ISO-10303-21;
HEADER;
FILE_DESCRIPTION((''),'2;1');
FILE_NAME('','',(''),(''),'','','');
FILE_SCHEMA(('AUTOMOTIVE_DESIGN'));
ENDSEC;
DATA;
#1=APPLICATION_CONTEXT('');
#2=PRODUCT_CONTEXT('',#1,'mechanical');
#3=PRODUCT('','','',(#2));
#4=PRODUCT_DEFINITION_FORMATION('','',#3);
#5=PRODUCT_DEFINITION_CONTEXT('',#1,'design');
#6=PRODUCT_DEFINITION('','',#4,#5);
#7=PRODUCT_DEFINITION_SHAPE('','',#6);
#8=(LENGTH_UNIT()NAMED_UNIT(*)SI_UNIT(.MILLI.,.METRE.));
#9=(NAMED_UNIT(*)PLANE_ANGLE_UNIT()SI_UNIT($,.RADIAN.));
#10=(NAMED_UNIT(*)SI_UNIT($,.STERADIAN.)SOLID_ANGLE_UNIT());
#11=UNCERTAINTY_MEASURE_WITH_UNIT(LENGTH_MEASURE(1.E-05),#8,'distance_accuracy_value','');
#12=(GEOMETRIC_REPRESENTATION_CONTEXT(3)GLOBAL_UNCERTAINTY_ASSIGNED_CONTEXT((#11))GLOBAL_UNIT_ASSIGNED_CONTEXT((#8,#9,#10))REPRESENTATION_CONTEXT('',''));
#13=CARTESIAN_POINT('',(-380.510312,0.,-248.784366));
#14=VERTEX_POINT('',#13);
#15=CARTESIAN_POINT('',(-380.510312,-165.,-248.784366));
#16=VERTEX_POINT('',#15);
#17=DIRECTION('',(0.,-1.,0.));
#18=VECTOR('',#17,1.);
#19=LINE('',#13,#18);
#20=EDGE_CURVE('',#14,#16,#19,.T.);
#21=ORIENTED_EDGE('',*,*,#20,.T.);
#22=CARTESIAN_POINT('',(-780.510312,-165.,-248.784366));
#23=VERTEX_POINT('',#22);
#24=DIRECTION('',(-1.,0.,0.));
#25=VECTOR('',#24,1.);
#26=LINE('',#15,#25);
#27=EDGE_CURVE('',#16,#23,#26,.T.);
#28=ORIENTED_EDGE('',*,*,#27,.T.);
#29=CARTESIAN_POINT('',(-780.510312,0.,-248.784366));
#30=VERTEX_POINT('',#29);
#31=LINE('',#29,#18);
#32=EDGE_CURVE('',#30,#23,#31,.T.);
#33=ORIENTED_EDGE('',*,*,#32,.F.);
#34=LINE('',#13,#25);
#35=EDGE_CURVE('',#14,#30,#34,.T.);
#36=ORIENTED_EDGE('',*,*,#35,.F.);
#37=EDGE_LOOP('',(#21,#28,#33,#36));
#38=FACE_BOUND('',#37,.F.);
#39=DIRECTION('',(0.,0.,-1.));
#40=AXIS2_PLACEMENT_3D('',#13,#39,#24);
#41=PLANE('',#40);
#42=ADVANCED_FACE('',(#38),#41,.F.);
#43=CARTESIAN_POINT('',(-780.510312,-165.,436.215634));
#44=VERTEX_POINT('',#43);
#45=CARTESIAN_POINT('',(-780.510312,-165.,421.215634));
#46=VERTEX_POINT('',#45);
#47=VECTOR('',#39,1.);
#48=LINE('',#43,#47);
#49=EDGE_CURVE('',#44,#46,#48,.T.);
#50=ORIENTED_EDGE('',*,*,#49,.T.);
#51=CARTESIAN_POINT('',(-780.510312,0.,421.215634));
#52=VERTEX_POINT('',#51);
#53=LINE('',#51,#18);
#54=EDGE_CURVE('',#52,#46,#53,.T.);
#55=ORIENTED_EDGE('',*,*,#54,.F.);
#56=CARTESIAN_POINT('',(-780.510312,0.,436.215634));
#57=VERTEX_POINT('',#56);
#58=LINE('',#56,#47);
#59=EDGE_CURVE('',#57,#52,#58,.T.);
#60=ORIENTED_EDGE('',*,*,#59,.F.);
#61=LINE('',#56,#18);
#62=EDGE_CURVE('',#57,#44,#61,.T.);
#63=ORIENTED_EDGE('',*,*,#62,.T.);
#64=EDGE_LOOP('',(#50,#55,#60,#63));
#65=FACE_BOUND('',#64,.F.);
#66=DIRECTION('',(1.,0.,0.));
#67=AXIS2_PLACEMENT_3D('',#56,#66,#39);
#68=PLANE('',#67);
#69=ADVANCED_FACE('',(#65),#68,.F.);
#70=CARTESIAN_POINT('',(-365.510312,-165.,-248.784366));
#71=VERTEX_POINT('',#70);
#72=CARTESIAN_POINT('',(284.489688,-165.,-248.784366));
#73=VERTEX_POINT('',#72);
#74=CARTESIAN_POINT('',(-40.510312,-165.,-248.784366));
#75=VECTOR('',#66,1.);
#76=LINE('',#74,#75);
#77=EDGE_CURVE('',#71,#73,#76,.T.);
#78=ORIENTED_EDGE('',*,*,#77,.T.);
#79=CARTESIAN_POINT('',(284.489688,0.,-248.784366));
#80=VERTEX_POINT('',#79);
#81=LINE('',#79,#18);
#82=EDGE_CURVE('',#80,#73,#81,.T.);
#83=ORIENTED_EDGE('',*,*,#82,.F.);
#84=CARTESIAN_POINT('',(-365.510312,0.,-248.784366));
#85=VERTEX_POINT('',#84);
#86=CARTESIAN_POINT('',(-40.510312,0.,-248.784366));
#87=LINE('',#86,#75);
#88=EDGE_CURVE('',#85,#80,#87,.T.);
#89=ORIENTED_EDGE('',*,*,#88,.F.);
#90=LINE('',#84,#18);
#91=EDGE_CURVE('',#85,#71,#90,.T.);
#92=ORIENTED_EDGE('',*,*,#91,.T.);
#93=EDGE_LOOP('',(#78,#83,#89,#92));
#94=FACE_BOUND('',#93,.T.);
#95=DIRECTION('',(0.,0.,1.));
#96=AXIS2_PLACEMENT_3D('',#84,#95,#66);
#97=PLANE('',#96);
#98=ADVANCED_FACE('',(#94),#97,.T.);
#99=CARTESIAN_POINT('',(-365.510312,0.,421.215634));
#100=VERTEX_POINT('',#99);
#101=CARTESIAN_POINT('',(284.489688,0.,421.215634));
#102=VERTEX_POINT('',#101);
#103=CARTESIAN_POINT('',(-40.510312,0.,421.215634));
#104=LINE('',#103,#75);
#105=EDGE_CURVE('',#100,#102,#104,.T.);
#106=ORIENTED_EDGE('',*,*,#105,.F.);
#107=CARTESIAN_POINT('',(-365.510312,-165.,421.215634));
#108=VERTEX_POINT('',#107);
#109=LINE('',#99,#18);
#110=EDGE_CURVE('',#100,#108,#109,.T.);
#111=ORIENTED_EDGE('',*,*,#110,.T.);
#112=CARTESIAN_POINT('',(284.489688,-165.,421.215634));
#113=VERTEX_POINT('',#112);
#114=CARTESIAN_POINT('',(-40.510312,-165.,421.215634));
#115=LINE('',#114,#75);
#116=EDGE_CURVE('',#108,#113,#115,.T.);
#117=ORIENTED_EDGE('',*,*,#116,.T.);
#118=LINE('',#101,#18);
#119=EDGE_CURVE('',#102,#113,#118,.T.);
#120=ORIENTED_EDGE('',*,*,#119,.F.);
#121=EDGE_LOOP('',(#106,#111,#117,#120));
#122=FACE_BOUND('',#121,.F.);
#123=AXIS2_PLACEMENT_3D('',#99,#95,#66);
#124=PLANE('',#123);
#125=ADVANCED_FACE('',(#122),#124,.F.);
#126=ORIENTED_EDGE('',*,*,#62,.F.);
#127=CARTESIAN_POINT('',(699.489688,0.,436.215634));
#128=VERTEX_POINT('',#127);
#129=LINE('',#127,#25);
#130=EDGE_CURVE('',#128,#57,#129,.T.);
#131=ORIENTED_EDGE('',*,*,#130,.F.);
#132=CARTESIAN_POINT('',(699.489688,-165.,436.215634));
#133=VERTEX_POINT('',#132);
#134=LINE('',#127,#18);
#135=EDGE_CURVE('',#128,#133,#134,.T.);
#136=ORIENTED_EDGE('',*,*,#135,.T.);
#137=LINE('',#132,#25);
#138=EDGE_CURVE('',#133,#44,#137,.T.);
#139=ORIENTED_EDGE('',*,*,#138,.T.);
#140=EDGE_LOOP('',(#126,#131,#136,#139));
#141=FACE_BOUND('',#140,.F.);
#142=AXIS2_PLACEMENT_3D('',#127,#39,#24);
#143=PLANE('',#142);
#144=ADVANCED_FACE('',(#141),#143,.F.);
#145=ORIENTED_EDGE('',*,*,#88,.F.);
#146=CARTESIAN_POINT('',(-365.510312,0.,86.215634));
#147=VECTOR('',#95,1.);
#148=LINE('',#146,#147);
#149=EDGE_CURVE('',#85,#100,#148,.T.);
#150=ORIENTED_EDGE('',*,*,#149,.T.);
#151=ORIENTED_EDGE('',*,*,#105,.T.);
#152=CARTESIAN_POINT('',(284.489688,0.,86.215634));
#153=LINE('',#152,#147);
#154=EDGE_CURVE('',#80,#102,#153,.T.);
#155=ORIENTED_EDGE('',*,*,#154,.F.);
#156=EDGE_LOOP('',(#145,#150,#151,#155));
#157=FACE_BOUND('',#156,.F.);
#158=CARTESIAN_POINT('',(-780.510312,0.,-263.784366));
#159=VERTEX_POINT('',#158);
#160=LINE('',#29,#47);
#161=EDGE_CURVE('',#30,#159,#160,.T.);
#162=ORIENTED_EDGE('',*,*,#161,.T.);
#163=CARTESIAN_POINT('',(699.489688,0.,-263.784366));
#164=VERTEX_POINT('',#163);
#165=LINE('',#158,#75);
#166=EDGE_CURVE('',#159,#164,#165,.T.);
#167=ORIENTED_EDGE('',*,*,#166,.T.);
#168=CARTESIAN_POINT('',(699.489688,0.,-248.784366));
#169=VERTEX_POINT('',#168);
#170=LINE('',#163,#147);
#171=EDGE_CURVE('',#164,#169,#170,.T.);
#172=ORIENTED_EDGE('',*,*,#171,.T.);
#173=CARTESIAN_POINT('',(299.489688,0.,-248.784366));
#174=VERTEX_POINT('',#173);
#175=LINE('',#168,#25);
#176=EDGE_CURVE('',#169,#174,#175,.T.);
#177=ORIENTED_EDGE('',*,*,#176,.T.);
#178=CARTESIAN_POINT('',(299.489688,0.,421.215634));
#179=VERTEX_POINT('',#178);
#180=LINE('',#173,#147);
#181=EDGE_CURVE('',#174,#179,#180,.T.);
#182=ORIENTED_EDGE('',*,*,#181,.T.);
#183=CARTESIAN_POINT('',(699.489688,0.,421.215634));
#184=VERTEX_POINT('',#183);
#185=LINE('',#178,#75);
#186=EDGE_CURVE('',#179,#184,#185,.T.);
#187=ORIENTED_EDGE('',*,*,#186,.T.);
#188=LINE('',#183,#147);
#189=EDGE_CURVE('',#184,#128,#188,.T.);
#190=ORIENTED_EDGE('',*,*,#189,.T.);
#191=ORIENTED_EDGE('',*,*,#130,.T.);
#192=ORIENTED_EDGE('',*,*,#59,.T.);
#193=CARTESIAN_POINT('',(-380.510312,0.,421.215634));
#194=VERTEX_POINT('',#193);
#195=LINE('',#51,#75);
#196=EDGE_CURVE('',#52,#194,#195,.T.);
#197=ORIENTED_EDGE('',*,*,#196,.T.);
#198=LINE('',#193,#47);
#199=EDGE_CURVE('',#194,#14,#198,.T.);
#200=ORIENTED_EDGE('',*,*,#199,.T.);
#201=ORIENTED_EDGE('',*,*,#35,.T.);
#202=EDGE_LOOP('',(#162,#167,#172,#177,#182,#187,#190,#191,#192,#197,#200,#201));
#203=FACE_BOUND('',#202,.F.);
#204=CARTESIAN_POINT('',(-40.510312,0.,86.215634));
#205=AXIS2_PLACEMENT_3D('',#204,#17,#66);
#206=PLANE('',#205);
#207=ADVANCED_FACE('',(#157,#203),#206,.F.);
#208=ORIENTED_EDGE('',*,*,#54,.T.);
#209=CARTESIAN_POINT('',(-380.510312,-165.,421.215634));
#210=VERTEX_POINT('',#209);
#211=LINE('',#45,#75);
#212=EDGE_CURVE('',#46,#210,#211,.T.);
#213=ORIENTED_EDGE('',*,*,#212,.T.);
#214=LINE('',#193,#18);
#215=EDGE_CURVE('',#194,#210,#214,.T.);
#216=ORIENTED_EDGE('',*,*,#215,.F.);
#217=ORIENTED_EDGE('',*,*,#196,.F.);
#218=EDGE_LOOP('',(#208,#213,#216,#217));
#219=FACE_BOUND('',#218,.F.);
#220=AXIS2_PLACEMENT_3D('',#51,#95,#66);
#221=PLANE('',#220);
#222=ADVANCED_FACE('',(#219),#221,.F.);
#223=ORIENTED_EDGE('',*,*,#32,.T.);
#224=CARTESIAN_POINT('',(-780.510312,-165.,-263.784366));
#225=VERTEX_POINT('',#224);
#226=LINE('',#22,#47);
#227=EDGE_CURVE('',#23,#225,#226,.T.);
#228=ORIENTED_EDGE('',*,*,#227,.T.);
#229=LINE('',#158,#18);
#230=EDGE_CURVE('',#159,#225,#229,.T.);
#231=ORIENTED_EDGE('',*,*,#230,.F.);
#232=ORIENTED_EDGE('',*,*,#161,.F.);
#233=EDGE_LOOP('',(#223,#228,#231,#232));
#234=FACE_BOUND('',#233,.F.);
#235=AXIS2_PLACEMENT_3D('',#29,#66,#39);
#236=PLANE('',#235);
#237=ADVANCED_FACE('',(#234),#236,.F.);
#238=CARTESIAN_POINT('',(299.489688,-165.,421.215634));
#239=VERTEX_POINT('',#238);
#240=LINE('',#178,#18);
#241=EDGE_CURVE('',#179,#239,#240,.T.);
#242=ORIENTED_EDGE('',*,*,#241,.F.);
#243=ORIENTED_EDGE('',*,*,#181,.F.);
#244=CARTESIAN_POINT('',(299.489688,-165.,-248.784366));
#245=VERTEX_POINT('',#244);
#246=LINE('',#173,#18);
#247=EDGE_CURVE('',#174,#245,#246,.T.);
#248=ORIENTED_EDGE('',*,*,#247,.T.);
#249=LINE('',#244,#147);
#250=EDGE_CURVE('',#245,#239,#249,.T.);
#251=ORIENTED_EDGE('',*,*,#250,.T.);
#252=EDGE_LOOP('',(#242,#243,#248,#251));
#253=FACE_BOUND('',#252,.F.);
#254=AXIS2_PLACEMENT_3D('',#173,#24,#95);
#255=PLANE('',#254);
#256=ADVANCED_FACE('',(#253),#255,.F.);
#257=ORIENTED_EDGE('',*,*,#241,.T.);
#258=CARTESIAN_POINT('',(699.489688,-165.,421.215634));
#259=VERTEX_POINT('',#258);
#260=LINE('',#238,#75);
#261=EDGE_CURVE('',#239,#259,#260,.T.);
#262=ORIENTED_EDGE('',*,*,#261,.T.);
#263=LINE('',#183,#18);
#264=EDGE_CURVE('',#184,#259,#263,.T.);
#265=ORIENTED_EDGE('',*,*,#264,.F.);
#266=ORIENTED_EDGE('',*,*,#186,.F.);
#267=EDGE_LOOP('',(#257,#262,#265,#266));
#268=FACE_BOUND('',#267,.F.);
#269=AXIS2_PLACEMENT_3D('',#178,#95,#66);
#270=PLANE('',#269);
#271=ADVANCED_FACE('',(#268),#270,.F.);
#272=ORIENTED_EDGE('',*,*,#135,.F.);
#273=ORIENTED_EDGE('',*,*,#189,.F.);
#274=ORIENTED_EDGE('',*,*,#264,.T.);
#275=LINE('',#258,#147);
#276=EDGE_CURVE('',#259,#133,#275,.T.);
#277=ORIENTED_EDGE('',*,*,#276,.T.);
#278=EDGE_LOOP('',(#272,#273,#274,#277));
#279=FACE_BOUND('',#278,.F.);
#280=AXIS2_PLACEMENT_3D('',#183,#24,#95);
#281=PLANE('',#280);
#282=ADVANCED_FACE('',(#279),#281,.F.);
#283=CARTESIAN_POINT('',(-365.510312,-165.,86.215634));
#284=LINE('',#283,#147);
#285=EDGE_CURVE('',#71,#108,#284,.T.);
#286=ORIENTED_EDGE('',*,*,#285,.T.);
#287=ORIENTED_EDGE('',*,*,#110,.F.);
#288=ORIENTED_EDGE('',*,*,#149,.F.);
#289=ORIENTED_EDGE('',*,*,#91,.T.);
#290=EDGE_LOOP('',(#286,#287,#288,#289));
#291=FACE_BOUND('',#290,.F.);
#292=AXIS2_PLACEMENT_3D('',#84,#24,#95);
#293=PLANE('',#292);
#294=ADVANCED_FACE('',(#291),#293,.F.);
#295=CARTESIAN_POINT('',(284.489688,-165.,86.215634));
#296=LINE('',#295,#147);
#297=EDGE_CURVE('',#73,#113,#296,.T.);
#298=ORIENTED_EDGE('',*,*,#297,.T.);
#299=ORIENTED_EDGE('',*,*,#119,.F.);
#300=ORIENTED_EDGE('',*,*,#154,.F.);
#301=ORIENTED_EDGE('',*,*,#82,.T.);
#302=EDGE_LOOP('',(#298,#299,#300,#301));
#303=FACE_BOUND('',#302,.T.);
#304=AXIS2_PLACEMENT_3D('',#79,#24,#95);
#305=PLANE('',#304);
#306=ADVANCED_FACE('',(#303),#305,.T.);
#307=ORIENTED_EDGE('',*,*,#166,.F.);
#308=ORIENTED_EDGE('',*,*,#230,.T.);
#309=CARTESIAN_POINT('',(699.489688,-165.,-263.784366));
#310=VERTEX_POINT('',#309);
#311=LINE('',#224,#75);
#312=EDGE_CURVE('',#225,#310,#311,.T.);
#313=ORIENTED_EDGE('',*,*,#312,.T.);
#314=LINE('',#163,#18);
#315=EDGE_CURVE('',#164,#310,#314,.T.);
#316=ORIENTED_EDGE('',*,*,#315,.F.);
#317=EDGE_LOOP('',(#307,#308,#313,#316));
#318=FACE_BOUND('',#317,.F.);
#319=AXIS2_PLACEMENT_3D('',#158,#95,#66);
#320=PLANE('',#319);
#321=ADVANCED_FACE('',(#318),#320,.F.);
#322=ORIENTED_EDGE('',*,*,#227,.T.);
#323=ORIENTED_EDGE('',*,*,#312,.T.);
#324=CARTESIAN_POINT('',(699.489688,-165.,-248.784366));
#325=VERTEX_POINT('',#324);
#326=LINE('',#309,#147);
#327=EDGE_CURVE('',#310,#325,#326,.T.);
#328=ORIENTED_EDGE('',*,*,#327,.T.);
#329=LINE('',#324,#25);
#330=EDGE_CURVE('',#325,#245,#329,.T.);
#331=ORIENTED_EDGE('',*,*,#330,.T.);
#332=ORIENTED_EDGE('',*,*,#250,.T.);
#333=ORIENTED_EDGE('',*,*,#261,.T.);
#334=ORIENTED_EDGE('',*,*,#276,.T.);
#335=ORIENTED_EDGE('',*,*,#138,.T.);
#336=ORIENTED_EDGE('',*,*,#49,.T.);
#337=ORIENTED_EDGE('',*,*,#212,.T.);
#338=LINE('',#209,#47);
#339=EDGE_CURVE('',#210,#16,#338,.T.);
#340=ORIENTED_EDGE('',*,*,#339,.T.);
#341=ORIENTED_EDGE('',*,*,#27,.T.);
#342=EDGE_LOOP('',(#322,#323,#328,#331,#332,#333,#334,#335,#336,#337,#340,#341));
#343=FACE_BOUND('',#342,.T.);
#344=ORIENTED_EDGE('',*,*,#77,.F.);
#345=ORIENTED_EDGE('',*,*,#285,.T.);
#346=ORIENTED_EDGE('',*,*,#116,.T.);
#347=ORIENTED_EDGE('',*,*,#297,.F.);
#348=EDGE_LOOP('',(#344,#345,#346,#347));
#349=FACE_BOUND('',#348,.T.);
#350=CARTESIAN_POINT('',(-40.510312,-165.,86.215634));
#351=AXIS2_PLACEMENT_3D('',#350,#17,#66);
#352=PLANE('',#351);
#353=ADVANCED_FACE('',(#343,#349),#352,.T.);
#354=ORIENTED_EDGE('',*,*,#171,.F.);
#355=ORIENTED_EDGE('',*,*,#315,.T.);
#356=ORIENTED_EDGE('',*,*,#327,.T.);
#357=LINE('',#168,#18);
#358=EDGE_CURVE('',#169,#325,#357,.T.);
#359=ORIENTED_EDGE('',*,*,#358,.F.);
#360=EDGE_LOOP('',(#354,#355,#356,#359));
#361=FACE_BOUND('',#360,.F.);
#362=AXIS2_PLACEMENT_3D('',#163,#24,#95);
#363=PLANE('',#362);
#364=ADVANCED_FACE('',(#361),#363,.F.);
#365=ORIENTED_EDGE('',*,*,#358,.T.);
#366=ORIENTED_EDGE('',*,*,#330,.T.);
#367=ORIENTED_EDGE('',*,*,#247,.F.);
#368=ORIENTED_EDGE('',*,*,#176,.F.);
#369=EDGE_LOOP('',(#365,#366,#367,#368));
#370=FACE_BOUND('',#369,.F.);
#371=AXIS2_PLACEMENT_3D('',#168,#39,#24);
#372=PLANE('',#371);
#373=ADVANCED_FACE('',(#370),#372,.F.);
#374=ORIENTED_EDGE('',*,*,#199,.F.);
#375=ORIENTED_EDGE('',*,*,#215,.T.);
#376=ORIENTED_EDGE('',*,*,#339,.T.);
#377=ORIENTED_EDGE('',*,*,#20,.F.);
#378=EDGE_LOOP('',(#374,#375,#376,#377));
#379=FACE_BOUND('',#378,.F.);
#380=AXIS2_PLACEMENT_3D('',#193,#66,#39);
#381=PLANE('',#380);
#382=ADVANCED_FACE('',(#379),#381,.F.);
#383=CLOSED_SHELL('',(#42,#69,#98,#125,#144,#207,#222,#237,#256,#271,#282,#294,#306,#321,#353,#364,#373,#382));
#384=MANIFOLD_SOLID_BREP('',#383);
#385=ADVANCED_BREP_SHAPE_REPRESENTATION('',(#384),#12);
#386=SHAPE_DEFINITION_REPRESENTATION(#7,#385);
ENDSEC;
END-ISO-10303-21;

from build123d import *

# Parameters (mm, degrees)
F0_W     = 650
F0_H     = 670
F1_DEPTH = 165


with BuildPart() as f1:
    # F0 (on Front) → F1 (new body)
    with BuildSketch(Plane.XZ):
        Polygon((-780.510312, 436.215634), (-780.510312, 421.215634), (-380.510312, 421.215634), (-380.510312, -248.784366), (-780.510312, -248.784366), (-780.510312, -263.784366), (699.489688, -263.784366), (699.489688, -248.784366), (299.489688, -248.784366), (299.489688, 421.215634), (699.489688, 421.215634), (699.489688, 436.215634), align=None)
        with Locations((-40.510312, 86.215634)):
            Rectangle(F0_W, F0_H, mode=Mode.SUBTRACT)
    extrude(amount=F1_DEPTH)


solid = f1.part
